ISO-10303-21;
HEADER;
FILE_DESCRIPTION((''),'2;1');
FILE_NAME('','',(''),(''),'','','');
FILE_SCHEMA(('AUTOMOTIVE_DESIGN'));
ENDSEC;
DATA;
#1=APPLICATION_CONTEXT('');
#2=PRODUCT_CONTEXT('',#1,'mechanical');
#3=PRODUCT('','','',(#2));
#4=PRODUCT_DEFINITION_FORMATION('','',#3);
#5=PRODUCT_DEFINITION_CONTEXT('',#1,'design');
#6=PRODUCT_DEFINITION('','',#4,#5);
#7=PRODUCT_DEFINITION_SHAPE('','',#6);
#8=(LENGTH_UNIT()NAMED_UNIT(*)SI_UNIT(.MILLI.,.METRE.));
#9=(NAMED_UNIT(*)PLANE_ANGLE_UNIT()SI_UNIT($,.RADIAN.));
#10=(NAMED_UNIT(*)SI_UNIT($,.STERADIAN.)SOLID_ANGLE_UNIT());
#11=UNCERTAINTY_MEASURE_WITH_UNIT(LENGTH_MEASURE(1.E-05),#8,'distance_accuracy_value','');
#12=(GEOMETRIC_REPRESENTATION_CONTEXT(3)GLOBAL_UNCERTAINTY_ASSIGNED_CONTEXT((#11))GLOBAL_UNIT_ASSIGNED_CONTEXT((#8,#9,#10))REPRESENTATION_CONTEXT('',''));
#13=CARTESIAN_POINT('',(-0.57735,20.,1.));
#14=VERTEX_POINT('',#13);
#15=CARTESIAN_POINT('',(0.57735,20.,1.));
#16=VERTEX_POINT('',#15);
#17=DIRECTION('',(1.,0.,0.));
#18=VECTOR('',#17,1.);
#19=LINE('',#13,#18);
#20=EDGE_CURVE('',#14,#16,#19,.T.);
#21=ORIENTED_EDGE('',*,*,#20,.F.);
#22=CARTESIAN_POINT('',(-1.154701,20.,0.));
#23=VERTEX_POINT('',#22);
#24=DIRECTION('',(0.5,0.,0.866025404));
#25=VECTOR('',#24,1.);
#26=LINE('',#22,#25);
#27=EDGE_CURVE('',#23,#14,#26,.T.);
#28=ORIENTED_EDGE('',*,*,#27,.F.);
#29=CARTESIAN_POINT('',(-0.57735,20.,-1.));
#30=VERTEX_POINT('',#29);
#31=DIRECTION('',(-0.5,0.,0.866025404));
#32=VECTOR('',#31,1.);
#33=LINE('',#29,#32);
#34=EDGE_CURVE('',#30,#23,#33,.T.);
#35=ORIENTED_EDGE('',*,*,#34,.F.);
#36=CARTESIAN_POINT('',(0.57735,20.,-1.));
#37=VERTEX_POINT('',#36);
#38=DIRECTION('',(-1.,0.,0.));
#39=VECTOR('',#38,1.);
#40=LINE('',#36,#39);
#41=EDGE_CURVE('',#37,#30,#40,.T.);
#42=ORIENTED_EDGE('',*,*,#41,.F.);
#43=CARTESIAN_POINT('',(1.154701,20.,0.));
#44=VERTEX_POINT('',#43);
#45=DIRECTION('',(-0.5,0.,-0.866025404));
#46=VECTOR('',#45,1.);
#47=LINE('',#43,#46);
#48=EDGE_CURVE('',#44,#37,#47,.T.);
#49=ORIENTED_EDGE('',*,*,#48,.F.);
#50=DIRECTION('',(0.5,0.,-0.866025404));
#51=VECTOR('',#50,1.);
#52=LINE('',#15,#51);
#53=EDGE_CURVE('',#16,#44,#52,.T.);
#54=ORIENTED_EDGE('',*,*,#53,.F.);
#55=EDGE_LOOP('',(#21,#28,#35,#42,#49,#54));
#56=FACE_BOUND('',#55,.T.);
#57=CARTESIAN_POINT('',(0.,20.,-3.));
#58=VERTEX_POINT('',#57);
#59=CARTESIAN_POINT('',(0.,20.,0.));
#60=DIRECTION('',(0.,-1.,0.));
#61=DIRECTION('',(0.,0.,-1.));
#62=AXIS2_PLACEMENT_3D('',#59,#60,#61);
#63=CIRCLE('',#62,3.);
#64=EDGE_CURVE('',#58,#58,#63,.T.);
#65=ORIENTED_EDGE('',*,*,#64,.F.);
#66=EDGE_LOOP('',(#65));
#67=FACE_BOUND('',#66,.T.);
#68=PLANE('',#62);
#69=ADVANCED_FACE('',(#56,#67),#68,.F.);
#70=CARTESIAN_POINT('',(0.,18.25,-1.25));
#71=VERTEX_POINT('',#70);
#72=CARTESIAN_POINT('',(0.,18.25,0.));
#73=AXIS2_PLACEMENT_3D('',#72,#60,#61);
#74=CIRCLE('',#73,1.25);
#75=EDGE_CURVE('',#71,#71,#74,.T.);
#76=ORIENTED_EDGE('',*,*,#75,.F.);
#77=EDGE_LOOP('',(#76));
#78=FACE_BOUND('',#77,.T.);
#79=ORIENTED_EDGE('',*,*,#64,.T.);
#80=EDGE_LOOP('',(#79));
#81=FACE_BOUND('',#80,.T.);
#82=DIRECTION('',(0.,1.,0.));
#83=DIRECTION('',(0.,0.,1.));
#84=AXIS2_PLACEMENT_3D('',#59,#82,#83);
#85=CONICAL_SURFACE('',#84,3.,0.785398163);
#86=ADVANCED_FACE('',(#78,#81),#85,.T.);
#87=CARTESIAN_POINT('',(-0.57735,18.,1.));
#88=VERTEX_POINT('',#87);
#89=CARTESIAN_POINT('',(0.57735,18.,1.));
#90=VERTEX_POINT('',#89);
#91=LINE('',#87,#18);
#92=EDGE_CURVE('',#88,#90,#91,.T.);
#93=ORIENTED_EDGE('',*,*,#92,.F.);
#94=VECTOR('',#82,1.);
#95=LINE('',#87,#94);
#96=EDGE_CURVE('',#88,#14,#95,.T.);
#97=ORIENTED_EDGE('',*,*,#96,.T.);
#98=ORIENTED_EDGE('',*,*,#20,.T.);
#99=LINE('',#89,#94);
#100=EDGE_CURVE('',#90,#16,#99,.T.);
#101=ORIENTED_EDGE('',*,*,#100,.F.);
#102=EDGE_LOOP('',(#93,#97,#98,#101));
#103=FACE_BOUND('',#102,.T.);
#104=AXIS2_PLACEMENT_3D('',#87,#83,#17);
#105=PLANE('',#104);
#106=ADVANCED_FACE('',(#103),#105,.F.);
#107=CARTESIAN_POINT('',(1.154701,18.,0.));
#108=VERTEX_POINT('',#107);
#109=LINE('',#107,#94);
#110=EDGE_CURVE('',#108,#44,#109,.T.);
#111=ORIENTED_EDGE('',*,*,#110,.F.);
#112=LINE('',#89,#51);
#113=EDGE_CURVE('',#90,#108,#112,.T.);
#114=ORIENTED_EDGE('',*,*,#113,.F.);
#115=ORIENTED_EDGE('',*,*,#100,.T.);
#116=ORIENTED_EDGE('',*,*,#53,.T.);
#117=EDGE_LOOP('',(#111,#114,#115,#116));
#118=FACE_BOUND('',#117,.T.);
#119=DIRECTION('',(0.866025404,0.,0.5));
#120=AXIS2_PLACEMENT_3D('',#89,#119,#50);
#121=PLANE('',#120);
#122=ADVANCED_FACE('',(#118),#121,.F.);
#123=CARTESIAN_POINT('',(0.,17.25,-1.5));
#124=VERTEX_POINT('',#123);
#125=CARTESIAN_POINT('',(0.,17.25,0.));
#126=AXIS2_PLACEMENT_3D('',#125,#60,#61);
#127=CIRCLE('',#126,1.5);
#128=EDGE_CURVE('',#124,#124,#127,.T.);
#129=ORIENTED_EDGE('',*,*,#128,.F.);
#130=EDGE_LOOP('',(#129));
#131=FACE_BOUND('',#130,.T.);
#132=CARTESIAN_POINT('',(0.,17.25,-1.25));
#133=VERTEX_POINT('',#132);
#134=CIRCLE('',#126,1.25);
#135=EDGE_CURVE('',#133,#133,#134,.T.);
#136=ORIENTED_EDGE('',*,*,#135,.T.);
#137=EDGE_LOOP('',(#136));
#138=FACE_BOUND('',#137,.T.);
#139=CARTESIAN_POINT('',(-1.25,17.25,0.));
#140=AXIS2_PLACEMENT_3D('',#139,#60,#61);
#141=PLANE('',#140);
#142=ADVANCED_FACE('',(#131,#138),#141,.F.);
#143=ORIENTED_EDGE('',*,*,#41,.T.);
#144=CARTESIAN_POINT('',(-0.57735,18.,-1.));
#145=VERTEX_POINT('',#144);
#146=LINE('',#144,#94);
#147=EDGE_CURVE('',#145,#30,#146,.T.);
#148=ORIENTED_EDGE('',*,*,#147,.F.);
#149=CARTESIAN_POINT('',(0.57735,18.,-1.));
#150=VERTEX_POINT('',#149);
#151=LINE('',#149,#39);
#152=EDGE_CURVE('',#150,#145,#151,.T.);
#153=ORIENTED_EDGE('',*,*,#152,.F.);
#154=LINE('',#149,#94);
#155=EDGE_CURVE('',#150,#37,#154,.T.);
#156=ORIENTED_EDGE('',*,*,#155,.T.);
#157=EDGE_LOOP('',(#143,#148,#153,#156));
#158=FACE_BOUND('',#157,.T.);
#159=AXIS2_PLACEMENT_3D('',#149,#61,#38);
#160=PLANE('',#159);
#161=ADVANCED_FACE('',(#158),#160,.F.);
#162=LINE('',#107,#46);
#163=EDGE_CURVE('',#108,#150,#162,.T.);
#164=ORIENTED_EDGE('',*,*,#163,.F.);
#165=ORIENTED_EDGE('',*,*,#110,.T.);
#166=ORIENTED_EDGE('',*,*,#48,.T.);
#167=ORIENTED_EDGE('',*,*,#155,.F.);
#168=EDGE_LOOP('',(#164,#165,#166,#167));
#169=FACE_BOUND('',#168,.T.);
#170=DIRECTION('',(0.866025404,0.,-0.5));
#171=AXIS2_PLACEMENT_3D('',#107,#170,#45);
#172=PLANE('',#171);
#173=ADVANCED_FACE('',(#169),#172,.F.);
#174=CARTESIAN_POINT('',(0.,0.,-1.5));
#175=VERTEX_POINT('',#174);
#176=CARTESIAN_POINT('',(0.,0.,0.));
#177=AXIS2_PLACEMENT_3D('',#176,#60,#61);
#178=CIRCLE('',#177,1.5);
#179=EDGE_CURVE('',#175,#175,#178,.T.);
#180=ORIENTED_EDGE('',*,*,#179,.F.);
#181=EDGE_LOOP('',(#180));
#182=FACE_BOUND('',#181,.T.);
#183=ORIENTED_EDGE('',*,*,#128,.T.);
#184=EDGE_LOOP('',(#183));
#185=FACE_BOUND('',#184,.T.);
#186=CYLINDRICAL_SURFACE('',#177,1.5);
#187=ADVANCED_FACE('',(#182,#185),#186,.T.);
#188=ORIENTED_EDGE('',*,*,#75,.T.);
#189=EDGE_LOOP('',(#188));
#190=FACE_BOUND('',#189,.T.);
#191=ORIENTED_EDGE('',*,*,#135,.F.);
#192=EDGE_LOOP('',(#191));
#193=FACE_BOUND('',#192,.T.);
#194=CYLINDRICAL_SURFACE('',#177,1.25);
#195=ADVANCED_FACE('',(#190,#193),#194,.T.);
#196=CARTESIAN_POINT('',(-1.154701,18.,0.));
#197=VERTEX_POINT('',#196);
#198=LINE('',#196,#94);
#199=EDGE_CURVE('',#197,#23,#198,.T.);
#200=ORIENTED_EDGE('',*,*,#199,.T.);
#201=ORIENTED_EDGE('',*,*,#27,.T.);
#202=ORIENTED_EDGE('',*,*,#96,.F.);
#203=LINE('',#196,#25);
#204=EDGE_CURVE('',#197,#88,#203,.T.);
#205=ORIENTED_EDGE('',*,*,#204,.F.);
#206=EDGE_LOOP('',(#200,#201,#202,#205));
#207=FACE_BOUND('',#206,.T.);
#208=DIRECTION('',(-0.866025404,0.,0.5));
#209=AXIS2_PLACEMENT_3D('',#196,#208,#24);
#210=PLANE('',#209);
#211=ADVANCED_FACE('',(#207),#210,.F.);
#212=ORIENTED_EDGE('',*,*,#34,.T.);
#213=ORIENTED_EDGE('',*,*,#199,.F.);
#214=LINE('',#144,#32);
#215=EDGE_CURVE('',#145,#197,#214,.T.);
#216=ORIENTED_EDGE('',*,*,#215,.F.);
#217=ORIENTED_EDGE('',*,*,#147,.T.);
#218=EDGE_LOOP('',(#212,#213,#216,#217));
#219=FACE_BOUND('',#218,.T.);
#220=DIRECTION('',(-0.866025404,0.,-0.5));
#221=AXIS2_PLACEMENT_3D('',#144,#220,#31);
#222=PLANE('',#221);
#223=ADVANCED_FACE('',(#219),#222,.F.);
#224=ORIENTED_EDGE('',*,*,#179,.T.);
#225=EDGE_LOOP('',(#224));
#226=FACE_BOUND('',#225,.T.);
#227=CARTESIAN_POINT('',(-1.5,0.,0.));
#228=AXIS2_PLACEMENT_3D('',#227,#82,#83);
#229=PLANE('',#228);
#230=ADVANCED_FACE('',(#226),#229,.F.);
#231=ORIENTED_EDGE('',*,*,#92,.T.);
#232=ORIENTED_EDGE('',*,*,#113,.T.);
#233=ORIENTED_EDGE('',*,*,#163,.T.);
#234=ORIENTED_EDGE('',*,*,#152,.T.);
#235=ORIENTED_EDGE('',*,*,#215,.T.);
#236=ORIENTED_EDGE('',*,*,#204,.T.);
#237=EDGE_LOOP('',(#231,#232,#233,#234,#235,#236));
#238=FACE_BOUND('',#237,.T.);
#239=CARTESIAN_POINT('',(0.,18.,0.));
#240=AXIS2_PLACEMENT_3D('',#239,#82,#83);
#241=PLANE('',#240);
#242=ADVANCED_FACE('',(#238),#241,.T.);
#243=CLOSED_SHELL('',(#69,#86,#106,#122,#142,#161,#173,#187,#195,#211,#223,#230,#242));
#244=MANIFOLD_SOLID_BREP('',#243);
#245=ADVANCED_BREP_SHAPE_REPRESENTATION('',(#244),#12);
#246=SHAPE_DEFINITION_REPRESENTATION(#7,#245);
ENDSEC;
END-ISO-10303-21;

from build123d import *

# Parameters (mm, degrees)
CUT_EXTRUDE_1_DEPTH = 2


with BuildPart() as part:
    # 草图1 → 旋转1 (revolve)
    with BuildSketch(Plane.XY):
        Polygon((0, 20), (-3, 20), (-1.25, 18.25), (-1.25, 17.25), (-1.5, 17.25), (-1.5, 0), (0, 0), align=None)
    revolve(axis=Axis((0, 0, 0), (0, 1, 0)))

    # 草图2 → 切除-拉伸1 (cut)
    with BuildSketch(Plane(origin=(0, 20, 0), x_dir=(1, 0, 0), z_dir=(0, 1, 0))):
        Polygon((0.577350269, 1), (-0.577350269, 1), (-1.154700538, 0), (-0.577350269, -1), (0.577350269, -1), (1.154700538, 0), align=None)
    extrude(amount=-CUT_EXTRUDE_1_DEPTH, mode=Mode.SUBTRACT)


solid = part.part
